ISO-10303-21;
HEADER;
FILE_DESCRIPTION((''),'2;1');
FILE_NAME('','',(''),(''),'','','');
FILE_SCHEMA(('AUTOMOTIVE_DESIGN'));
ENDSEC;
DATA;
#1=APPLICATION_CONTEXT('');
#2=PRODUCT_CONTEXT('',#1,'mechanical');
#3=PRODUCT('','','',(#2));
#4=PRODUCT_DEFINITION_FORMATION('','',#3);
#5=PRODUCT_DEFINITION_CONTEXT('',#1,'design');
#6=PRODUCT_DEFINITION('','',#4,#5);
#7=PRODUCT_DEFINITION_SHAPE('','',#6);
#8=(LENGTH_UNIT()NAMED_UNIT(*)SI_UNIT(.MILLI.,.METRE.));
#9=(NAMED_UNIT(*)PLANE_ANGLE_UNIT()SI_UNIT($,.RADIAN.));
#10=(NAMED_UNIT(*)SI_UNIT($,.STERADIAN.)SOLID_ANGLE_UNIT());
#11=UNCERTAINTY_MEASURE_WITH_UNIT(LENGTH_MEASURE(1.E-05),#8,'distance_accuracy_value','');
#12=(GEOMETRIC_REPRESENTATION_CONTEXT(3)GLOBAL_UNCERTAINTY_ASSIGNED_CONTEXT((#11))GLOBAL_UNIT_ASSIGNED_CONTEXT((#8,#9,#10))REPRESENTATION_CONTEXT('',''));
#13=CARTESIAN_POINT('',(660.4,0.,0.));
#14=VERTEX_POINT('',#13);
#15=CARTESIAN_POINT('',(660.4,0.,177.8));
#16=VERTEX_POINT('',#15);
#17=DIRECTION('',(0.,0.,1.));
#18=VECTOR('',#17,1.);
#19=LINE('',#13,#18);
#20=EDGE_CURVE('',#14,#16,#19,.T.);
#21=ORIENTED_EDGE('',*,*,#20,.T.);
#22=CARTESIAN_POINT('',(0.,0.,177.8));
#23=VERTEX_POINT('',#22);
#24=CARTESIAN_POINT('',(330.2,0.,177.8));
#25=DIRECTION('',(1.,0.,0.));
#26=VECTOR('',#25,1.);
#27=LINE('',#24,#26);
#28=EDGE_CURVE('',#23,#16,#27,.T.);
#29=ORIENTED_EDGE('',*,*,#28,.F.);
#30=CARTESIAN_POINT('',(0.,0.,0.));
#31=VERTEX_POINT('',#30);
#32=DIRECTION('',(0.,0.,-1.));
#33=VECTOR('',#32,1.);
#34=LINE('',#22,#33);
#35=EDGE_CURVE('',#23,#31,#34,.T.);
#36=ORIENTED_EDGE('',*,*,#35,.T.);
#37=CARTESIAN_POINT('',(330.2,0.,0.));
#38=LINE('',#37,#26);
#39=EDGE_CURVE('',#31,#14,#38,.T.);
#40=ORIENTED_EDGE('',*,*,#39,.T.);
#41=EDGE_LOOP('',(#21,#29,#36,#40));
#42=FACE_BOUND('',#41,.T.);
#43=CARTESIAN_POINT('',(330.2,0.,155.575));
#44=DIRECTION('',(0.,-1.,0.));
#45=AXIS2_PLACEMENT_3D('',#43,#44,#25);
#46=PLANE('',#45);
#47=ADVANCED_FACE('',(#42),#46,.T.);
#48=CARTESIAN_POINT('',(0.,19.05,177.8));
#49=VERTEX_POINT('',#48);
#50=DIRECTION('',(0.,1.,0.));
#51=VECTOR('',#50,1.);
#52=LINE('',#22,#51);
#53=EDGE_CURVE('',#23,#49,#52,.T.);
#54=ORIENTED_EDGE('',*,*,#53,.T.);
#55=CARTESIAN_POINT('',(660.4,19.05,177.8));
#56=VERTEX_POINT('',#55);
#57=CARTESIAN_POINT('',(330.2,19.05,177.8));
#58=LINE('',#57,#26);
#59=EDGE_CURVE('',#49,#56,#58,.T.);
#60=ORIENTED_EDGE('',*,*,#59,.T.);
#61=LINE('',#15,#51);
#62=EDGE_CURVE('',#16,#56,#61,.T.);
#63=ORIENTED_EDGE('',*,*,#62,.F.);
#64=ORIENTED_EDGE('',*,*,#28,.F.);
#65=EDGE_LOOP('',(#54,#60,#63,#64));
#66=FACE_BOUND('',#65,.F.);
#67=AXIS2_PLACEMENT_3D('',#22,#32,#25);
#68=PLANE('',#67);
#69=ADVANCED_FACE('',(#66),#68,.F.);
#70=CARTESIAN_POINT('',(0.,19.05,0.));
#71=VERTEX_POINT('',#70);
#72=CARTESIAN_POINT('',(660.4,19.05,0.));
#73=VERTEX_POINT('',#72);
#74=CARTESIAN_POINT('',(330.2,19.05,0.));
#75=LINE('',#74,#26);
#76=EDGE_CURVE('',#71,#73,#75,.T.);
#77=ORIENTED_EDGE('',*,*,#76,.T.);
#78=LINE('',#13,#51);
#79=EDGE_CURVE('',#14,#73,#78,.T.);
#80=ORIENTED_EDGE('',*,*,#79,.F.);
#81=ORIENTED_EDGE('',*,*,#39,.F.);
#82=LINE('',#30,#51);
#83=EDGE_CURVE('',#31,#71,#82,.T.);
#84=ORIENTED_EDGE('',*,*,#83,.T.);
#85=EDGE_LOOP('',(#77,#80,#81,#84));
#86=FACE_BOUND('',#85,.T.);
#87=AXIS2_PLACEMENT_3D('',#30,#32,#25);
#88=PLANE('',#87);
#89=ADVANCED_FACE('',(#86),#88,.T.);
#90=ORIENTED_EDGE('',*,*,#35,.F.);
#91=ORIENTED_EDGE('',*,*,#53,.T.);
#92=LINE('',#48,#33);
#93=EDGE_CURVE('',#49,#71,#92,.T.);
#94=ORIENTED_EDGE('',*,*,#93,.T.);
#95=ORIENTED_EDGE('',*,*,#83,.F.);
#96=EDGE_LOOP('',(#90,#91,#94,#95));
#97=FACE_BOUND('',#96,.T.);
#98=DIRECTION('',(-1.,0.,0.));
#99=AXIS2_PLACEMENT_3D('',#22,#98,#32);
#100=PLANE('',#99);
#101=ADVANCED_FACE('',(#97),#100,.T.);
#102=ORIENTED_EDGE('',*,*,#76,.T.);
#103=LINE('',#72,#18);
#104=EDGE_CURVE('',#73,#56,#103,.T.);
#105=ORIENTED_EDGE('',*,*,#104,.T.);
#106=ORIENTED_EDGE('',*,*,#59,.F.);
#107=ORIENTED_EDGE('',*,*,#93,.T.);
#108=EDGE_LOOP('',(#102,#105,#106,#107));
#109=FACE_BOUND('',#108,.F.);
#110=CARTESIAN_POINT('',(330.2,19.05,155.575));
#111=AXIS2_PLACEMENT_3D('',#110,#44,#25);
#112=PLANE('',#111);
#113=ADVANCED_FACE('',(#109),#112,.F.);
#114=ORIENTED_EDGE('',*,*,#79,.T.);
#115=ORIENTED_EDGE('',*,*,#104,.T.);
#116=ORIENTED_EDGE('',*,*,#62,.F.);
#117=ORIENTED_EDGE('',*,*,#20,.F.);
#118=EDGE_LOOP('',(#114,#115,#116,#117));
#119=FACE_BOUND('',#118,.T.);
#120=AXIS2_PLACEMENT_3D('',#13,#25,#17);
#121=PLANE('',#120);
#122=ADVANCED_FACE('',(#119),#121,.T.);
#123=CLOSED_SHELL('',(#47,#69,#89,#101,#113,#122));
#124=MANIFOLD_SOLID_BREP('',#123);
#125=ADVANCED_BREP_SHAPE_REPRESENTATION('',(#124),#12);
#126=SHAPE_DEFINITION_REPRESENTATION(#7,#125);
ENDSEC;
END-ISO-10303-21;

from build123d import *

# Parameters (mm, degrees)
F0_W     = 660.4
F0_H     = 44.45
F1_DEPTH = 19.05


with BuildPart() as f1:
    # F0 (on Front) → F1 (new body)
    with BuildSketch(Plane.XZ):
        with Locations((330.2, 155.575)):
            Rectangle(F0_W, F0_H)
        with Locations((330.2, 111.125)):
            Rectangle(F0_W, F0_H)
        with Locations((330.2, 66.675)):
            Rectangle(F0_W, F0_H)
        with Locations((330.2, 22.225)):
            Rectangle(F0_W, F0_H)
    extrude(amount=-F1_DEPTH)


solid = f1.part
